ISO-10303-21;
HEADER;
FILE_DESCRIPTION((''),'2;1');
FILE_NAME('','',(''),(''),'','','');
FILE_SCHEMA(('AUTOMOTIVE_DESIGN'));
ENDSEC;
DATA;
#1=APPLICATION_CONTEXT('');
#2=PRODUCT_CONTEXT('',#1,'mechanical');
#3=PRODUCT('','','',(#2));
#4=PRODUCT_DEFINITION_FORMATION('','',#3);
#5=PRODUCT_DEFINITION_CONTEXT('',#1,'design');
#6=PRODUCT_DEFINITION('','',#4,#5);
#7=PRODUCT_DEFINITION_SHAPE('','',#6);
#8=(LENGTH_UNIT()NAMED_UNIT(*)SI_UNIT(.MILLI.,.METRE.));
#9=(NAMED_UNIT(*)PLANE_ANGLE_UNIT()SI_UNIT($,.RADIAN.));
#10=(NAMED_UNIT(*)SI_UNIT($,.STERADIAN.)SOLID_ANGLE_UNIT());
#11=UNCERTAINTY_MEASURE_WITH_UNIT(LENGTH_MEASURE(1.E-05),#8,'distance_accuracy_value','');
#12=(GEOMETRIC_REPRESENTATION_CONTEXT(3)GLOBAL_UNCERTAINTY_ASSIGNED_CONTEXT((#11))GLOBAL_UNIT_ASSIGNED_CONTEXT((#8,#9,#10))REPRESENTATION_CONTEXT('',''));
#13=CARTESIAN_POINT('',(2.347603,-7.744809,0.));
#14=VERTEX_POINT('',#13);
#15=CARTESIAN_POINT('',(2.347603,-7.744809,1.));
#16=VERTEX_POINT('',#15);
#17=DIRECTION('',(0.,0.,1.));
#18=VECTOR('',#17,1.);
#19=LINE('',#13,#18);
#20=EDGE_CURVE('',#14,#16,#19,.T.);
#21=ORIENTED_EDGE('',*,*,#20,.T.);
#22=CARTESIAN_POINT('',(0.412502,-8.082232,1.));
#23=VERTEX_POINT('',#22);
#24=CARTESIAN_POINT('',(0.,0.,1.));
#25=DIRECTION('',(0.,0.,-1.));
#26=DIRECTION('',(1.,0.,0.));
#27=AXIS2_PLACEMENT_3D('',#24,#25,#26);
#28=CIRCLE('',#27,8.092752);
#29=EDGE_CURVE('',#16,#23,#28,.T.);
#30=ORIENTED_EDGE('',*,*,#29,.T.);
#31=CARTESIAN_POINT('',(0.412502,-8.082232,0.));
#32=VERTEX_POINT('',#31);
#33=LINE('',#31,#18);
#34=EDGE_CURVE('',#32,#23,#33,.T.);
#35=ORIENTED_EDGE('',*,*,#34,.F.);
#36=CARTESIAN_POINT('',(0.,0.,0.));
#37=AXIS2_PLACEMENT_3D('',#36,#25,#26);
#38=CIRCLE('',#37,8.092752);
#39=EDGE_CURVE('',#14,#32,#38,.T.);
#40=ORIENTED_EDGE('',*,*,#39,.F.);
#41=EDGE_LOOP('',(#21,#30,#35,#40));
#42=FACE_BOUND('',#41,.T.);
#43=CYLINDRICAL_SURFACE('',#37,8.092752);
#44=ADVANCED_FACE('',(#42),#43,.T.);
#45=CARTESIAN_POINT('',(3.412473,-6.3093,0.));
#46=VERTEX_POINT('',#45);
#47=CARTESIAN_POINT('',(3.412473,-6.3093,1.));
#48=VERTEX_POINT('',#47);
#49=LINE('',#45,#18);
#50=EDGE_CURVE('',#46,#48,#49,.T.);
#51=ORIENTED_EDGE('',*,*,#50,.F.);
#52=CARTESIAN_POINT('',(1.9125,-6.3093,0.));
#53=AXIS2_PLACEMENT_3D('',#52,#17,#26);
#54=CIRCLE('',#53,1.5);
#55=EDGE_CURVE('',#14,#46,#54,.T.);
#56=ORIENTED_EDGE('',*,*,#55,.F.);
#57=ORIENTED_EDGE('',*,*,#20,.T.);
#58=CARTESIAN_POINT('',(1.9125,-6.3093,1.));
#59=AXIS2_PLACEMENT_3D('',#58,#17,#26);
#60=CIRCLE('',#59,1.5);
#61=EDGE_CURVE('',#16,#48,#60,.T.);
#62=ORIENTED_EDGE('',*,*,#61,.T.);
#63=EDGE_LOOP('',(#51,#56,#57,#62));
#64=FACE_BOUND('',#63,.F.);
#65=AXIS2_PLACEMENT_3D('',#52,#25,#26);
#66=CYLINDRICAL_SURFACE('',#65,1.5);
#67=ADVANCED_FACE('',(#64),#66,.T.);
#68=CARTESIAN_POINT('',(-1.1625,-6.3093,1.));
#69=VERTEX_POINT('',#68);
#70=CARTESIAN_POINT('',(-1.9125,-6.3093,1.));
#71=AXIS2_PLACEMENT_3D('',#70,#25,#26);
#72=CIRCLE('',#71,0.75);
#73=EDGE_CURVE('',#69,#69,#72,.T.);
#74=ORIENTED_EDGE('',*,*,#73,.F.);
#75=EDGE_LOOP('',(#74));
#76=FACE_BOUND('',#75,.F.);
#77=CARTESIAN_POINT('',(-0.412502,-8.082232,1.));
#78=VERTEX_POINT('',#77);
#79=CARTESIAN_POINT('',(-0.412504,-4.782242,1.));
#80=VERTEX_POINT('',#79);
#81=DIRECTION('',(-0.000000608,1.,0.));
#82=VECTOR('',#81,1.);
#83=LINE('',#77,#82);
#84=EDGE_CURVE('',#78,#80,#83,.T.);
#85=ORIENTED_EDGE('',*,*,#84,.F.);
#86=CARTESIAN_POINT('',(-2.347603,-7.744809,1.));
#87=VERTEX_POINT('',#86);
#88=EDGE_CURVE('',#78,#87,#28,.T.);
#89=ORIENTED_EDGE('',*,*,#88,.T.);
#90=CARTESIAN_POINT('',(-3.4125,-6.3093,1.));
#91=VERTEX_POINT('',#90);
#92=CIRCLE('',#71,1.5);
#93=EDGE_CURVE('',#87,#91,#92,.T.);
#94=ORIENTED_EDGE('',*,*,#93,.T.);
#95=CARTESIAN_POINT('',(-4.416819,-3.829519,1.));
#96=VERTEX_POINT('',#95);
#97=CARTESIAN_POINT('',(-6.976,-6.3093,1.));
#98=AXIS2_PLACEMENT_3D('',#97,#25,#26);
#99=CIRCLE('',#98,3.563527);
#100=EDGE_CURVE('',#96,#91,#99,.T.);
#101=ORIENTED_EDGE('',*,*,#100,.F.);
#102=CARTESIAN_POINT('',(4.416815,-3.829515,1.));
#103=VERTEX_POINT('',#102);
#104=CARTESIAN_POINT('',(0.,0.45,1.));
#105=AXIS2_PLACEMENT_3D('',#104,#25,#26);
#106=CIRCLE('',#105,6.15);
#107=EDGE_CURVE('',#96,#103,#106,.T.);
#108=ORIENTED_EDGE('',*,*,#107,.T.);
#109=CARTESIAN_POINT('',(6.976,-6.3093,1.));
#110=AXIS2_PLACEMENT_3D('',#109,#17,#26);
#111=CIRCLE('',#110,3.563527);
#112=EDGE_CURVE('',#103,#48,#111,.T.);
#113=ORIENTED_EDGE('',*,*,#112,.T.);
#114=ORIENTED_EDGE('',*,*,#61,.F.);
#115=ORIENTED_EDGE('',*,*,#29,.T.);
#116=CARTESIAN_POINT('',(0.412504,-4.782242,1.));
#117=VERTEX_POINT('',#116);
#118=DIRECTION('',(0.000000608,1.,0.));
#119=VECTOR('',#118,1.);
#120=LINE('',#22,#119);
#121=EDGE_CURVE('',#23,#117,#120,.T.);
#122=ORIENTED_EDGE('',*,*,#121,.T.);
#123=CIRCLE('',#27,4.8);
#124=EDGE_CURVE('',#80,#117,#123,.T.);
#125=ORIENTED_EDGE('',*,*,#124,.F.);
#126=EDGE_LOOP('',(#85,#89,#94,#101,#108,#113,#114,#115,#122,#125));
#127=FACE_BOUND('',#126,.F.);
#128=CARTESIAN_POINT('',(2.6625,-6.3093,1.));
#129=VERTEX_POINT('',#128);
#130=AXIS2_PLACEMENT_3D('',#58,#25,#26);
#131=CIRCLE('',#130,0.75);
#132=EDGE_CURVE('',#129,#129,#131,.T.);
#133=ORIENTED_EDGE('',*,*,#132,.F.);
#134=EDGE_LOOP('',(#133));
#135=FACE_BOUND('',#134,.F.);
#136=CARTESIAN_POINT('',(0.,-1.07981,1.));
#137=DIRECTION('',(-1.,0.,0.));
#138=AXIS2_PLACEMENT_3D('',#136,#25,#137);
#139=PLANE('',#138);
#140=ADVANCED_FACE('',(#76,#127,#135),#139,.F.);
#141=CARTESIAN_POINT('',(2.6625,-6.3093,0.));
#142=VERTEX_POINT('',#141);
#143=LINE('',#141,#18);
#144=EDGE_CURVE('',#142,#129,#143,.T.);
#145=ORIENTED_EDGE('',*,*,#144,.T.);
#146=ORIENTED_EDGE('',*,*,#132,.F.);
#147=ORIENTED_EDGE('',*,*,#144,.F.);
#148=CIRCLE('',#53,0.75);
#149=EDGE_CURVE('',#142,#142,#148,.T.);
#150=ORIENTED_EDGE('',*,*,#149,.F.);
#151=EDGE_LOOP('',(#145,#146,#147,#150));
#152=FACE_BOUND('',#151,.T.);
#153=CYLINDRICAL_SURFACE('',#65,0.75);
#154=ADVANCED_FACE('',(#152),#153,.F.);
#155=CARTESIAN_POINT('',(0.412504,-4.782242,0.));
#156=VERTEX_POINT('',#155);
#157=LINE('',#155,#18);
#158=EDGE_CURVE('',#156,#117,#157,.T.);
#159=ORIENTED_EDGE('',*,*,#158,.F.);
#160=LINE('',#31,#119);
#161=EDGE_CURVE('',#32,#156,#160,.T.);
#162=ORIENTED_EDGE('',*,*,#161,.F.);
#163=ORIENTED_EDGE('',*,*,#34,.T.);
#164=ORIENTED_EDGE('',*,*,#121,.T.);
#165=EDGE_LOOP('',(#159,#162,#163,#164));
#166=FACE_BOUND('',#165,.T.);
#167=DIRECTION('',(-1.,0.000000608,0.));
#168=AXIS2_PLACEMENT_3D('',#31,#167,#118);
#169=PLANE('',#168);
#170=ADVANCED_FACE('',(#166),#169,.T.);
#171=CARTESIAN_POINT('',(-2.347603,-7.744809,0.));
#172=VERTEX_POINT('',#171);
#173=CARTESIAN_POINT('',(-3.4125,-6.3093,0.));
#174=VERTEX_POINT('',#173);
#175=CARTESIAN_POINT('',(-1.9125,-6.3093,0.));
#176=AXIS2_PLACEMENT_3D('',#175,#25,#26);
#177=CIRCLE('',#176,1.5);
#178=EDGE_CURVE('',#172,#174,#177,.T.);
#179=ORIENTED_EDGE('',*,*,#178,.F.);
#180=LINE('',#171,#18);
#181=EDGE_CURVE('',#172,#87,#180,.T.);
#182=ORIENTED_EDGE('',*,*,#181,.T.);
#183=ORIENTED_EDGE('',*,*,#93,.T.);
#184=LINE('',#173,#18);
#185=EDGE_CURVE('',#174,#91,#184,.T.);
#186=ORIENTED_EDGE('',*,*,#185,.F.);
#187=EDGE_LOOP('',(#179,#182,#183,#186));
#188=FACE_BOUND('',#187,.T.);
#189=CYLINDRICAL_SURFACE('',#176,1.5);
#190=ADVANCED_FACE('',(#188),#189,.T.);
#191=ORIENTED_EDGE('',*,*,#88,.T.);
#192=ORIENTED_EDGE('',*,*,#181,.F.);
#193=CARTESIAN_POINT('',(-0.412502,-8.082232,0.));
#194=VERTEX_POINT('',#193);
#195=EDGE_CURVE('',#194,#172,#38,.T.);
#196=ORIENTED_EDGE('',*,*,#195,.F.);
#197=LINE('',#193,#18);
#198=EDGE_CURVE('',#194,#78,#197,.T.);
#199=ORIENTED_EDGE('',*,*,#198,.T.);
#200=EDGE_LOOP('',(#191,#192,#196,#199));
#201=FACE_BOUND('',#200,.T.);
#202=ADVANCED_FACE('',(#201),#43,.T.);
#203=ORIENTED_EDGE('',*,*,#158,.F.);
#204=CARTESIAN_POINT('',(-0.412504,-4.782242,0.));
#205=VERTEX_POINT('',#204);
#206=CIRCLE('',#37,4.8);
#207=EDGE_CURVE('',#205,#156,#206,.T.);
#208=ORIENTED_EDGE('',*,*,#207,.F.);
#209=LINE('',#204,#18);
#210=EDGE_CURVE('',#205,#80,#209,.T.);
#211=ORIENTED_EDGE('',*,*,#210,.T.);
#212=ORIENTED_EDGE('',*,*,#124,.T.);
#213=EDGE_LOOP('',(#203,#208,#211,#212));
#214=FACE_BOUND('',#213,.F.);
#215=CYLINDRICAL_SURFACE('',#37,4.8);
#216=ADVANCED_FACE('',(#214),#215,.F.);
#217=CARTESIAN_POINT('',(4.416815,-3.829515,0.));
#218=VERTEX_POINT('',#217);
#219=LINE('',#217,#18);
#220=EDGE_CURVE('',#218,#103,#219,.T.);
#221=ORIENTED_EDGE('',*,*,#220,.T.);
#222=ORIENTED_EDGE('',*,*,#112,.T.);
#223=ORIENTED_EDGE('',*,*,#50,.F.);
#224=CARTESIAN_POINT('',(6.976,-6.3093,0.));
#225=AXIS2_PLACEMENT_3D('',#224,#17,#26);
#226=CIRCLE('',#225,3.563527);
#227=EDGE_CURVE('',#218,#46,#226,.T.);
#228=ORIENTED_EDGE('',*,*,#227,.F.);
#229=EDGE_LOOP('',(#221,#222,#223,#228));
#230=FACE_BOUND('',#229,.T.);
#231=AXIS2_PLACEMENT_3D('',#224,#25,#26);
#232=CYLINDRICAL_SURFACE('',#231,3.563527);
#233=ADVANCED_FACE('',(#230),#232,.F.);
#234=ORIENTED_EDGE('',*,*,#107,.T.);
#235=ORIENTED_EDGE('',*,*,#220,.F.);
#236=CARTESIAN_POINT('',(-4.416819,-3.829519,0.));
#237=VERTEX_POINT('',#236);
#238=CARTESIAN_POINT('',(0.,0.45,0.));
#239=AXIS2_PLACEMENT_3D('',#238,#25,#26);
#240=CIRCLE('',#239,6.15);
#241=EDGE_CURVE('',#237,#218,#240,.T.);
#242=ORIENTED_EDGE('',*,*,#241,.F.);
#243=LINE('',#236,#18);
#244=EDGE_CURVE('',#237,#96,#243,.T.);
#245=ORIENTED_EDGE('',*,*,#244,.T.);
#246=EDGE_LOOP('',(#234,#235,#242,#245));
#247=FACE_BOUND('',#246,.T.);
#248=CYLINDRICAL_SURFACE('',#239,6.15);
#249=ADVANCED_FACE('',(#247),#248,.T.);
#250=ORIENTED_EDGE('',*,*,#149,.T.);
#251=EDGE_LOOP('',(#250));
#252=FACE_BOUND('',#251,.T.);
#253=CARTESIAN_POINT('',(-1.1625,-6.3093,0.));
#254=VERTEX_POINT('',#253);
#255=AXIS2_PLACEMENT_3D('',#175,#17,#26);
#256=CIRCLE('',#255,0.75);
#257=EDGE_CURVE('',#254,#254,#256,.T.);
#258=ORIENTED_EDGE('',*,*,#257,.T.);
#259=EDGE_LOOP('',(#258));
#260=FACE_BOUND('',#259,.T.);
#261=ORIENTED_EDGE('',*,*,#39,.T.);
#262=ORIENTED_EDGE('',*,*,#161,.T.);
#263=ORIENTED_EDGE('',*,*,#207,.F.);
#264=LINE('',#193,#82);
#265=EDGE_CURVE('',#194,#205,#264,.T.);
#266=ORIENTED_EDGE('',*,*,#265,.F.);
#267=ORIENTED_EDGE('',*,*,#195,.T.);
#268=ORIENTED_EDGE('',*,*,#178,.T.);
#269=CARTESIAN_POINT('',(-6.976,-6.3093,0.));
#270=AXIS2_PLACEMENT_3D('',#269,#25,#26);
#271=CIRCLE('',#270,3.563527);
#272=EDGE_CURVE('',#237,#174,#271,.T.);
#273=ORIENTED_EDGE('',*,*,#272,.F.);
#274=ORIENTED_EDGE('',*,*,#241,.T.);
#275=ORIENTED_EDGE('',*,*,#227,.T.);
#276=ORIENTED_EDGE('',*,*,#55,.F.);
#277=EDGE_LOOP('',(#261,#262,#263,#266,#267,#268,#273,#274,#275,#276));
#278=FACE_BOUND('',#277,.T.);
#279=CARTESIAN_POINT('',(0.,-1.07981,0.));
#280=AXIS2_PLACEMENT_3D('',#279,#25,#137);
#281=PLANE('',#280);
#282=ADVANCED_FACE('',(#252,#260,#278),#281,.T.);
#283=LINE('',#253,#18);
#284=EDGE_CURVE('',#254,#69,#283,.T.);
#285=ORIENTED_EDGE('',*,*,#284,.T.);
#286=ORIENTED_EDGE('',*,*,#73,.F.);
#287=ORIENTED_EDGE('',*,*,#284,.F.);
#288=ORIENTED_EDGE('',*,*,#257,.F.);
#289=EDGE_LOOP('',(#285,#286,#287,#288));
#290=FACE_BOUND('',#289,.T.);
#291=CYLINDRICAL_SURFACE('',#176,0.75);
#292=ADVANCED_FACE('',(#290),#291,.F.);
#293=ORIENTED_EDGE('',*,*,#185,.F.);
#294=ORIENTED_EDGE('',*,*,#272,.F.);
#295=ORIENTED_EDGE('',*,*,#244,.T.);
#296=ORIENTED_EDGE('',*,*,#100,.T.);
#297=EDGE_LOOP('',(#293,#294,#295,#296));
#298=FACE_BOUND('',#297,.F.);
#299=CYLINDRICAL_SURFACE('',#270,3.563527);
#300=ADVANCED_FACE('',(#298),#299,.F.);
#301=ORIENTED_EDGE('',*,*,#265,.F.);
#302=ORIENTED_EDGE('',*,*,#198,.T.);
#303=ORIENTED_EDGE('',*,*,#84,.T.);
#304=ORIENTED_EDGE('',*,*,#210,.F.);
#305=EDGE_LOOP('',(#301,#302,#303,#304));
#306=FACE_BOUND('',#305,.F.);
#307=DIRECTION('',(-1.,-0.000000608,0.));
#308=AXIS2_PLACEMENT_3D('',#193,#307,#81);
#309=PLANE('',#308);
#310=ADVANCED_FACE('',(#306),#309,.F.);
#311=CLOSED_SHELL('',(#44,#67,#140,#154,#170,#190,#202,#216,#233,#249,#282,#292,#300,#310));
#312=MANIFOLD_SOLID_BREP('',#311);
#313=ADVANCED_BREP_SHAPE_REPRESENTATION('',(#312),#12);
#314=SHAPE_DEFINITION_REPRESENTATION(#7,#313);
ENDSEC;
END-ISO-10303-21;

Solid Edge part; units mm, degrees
sketch "Sketch1" plane through (0, 0, 0) normal (0, 0, 1) x (1, 0, 0)
  arc A0 (-2.3476, -7.7448) -> (-3.4125, -6.3093) centre (-1.9125, -6.3093) cw
  arc A1 (-4.4168, -3.8295) -> (-3.4125, -6.3093) centre (-6.976, -6.3093) cw
  arc A2 (-4.4168, -3.8295) -> (4.4168, -3.8295) centre (0, 0.45) cw
  arc A3 (4.4168, -3.8295) -> (3.4125, -6.3093) centre (6.976, -6.3093) ccw
  arc A4 (2.3476, -7.7448) -> (3.4125, -6.3093) centre (1.9125, -6.3093) ccw
  arc A5 (2.3476, -7.7448) -> (0.4125, -8.0822) centre (0, 0) cw
  line L0 (0.4125, -8.0822) -> (0.4125, -4.7822)
  arc A6 (-0.4125, -4.7822) -> (0.4125, -4.7822) centre (0, 0) cw
  line L1 (-0.4125, -8.0822) -> (-0.4125, -4.7822)
  arc A7 (-0.4125, -8.0822) -> (-2.3476, -7.7448) centre (0, 0) cw
  dimension "D1" = 4.8
  dimension "D2" = 6.15
  dimension "D3" = 1.8
  dimension "D4" = 0.4125
  dimension "D5" = 3.3
  dimension "D6" = 3
  dimension "D7" = 1.5
extrude "Protrusion1" add sketch "Sketch1" along normal blind 1
sketch "Sketch2" plane through (0, 0, 0) normal (0, 0, 1) x (1, 0, 0)
  circle A0 centre (-1.9125, -6.3093) radius 0.75
extrude "Cutout1" cut sketch "Sketch2" along normal through all
sketch "Sketch3" plane through (0, 0, 0) normal (0, 0, 1) x (1, 0, 0)
  circle A0 centre (1.9125, -6.3093) radius 0.75
extrude "Cutout2" cut sketch "Sketch3" along normal through all
properties material "Stahl"
